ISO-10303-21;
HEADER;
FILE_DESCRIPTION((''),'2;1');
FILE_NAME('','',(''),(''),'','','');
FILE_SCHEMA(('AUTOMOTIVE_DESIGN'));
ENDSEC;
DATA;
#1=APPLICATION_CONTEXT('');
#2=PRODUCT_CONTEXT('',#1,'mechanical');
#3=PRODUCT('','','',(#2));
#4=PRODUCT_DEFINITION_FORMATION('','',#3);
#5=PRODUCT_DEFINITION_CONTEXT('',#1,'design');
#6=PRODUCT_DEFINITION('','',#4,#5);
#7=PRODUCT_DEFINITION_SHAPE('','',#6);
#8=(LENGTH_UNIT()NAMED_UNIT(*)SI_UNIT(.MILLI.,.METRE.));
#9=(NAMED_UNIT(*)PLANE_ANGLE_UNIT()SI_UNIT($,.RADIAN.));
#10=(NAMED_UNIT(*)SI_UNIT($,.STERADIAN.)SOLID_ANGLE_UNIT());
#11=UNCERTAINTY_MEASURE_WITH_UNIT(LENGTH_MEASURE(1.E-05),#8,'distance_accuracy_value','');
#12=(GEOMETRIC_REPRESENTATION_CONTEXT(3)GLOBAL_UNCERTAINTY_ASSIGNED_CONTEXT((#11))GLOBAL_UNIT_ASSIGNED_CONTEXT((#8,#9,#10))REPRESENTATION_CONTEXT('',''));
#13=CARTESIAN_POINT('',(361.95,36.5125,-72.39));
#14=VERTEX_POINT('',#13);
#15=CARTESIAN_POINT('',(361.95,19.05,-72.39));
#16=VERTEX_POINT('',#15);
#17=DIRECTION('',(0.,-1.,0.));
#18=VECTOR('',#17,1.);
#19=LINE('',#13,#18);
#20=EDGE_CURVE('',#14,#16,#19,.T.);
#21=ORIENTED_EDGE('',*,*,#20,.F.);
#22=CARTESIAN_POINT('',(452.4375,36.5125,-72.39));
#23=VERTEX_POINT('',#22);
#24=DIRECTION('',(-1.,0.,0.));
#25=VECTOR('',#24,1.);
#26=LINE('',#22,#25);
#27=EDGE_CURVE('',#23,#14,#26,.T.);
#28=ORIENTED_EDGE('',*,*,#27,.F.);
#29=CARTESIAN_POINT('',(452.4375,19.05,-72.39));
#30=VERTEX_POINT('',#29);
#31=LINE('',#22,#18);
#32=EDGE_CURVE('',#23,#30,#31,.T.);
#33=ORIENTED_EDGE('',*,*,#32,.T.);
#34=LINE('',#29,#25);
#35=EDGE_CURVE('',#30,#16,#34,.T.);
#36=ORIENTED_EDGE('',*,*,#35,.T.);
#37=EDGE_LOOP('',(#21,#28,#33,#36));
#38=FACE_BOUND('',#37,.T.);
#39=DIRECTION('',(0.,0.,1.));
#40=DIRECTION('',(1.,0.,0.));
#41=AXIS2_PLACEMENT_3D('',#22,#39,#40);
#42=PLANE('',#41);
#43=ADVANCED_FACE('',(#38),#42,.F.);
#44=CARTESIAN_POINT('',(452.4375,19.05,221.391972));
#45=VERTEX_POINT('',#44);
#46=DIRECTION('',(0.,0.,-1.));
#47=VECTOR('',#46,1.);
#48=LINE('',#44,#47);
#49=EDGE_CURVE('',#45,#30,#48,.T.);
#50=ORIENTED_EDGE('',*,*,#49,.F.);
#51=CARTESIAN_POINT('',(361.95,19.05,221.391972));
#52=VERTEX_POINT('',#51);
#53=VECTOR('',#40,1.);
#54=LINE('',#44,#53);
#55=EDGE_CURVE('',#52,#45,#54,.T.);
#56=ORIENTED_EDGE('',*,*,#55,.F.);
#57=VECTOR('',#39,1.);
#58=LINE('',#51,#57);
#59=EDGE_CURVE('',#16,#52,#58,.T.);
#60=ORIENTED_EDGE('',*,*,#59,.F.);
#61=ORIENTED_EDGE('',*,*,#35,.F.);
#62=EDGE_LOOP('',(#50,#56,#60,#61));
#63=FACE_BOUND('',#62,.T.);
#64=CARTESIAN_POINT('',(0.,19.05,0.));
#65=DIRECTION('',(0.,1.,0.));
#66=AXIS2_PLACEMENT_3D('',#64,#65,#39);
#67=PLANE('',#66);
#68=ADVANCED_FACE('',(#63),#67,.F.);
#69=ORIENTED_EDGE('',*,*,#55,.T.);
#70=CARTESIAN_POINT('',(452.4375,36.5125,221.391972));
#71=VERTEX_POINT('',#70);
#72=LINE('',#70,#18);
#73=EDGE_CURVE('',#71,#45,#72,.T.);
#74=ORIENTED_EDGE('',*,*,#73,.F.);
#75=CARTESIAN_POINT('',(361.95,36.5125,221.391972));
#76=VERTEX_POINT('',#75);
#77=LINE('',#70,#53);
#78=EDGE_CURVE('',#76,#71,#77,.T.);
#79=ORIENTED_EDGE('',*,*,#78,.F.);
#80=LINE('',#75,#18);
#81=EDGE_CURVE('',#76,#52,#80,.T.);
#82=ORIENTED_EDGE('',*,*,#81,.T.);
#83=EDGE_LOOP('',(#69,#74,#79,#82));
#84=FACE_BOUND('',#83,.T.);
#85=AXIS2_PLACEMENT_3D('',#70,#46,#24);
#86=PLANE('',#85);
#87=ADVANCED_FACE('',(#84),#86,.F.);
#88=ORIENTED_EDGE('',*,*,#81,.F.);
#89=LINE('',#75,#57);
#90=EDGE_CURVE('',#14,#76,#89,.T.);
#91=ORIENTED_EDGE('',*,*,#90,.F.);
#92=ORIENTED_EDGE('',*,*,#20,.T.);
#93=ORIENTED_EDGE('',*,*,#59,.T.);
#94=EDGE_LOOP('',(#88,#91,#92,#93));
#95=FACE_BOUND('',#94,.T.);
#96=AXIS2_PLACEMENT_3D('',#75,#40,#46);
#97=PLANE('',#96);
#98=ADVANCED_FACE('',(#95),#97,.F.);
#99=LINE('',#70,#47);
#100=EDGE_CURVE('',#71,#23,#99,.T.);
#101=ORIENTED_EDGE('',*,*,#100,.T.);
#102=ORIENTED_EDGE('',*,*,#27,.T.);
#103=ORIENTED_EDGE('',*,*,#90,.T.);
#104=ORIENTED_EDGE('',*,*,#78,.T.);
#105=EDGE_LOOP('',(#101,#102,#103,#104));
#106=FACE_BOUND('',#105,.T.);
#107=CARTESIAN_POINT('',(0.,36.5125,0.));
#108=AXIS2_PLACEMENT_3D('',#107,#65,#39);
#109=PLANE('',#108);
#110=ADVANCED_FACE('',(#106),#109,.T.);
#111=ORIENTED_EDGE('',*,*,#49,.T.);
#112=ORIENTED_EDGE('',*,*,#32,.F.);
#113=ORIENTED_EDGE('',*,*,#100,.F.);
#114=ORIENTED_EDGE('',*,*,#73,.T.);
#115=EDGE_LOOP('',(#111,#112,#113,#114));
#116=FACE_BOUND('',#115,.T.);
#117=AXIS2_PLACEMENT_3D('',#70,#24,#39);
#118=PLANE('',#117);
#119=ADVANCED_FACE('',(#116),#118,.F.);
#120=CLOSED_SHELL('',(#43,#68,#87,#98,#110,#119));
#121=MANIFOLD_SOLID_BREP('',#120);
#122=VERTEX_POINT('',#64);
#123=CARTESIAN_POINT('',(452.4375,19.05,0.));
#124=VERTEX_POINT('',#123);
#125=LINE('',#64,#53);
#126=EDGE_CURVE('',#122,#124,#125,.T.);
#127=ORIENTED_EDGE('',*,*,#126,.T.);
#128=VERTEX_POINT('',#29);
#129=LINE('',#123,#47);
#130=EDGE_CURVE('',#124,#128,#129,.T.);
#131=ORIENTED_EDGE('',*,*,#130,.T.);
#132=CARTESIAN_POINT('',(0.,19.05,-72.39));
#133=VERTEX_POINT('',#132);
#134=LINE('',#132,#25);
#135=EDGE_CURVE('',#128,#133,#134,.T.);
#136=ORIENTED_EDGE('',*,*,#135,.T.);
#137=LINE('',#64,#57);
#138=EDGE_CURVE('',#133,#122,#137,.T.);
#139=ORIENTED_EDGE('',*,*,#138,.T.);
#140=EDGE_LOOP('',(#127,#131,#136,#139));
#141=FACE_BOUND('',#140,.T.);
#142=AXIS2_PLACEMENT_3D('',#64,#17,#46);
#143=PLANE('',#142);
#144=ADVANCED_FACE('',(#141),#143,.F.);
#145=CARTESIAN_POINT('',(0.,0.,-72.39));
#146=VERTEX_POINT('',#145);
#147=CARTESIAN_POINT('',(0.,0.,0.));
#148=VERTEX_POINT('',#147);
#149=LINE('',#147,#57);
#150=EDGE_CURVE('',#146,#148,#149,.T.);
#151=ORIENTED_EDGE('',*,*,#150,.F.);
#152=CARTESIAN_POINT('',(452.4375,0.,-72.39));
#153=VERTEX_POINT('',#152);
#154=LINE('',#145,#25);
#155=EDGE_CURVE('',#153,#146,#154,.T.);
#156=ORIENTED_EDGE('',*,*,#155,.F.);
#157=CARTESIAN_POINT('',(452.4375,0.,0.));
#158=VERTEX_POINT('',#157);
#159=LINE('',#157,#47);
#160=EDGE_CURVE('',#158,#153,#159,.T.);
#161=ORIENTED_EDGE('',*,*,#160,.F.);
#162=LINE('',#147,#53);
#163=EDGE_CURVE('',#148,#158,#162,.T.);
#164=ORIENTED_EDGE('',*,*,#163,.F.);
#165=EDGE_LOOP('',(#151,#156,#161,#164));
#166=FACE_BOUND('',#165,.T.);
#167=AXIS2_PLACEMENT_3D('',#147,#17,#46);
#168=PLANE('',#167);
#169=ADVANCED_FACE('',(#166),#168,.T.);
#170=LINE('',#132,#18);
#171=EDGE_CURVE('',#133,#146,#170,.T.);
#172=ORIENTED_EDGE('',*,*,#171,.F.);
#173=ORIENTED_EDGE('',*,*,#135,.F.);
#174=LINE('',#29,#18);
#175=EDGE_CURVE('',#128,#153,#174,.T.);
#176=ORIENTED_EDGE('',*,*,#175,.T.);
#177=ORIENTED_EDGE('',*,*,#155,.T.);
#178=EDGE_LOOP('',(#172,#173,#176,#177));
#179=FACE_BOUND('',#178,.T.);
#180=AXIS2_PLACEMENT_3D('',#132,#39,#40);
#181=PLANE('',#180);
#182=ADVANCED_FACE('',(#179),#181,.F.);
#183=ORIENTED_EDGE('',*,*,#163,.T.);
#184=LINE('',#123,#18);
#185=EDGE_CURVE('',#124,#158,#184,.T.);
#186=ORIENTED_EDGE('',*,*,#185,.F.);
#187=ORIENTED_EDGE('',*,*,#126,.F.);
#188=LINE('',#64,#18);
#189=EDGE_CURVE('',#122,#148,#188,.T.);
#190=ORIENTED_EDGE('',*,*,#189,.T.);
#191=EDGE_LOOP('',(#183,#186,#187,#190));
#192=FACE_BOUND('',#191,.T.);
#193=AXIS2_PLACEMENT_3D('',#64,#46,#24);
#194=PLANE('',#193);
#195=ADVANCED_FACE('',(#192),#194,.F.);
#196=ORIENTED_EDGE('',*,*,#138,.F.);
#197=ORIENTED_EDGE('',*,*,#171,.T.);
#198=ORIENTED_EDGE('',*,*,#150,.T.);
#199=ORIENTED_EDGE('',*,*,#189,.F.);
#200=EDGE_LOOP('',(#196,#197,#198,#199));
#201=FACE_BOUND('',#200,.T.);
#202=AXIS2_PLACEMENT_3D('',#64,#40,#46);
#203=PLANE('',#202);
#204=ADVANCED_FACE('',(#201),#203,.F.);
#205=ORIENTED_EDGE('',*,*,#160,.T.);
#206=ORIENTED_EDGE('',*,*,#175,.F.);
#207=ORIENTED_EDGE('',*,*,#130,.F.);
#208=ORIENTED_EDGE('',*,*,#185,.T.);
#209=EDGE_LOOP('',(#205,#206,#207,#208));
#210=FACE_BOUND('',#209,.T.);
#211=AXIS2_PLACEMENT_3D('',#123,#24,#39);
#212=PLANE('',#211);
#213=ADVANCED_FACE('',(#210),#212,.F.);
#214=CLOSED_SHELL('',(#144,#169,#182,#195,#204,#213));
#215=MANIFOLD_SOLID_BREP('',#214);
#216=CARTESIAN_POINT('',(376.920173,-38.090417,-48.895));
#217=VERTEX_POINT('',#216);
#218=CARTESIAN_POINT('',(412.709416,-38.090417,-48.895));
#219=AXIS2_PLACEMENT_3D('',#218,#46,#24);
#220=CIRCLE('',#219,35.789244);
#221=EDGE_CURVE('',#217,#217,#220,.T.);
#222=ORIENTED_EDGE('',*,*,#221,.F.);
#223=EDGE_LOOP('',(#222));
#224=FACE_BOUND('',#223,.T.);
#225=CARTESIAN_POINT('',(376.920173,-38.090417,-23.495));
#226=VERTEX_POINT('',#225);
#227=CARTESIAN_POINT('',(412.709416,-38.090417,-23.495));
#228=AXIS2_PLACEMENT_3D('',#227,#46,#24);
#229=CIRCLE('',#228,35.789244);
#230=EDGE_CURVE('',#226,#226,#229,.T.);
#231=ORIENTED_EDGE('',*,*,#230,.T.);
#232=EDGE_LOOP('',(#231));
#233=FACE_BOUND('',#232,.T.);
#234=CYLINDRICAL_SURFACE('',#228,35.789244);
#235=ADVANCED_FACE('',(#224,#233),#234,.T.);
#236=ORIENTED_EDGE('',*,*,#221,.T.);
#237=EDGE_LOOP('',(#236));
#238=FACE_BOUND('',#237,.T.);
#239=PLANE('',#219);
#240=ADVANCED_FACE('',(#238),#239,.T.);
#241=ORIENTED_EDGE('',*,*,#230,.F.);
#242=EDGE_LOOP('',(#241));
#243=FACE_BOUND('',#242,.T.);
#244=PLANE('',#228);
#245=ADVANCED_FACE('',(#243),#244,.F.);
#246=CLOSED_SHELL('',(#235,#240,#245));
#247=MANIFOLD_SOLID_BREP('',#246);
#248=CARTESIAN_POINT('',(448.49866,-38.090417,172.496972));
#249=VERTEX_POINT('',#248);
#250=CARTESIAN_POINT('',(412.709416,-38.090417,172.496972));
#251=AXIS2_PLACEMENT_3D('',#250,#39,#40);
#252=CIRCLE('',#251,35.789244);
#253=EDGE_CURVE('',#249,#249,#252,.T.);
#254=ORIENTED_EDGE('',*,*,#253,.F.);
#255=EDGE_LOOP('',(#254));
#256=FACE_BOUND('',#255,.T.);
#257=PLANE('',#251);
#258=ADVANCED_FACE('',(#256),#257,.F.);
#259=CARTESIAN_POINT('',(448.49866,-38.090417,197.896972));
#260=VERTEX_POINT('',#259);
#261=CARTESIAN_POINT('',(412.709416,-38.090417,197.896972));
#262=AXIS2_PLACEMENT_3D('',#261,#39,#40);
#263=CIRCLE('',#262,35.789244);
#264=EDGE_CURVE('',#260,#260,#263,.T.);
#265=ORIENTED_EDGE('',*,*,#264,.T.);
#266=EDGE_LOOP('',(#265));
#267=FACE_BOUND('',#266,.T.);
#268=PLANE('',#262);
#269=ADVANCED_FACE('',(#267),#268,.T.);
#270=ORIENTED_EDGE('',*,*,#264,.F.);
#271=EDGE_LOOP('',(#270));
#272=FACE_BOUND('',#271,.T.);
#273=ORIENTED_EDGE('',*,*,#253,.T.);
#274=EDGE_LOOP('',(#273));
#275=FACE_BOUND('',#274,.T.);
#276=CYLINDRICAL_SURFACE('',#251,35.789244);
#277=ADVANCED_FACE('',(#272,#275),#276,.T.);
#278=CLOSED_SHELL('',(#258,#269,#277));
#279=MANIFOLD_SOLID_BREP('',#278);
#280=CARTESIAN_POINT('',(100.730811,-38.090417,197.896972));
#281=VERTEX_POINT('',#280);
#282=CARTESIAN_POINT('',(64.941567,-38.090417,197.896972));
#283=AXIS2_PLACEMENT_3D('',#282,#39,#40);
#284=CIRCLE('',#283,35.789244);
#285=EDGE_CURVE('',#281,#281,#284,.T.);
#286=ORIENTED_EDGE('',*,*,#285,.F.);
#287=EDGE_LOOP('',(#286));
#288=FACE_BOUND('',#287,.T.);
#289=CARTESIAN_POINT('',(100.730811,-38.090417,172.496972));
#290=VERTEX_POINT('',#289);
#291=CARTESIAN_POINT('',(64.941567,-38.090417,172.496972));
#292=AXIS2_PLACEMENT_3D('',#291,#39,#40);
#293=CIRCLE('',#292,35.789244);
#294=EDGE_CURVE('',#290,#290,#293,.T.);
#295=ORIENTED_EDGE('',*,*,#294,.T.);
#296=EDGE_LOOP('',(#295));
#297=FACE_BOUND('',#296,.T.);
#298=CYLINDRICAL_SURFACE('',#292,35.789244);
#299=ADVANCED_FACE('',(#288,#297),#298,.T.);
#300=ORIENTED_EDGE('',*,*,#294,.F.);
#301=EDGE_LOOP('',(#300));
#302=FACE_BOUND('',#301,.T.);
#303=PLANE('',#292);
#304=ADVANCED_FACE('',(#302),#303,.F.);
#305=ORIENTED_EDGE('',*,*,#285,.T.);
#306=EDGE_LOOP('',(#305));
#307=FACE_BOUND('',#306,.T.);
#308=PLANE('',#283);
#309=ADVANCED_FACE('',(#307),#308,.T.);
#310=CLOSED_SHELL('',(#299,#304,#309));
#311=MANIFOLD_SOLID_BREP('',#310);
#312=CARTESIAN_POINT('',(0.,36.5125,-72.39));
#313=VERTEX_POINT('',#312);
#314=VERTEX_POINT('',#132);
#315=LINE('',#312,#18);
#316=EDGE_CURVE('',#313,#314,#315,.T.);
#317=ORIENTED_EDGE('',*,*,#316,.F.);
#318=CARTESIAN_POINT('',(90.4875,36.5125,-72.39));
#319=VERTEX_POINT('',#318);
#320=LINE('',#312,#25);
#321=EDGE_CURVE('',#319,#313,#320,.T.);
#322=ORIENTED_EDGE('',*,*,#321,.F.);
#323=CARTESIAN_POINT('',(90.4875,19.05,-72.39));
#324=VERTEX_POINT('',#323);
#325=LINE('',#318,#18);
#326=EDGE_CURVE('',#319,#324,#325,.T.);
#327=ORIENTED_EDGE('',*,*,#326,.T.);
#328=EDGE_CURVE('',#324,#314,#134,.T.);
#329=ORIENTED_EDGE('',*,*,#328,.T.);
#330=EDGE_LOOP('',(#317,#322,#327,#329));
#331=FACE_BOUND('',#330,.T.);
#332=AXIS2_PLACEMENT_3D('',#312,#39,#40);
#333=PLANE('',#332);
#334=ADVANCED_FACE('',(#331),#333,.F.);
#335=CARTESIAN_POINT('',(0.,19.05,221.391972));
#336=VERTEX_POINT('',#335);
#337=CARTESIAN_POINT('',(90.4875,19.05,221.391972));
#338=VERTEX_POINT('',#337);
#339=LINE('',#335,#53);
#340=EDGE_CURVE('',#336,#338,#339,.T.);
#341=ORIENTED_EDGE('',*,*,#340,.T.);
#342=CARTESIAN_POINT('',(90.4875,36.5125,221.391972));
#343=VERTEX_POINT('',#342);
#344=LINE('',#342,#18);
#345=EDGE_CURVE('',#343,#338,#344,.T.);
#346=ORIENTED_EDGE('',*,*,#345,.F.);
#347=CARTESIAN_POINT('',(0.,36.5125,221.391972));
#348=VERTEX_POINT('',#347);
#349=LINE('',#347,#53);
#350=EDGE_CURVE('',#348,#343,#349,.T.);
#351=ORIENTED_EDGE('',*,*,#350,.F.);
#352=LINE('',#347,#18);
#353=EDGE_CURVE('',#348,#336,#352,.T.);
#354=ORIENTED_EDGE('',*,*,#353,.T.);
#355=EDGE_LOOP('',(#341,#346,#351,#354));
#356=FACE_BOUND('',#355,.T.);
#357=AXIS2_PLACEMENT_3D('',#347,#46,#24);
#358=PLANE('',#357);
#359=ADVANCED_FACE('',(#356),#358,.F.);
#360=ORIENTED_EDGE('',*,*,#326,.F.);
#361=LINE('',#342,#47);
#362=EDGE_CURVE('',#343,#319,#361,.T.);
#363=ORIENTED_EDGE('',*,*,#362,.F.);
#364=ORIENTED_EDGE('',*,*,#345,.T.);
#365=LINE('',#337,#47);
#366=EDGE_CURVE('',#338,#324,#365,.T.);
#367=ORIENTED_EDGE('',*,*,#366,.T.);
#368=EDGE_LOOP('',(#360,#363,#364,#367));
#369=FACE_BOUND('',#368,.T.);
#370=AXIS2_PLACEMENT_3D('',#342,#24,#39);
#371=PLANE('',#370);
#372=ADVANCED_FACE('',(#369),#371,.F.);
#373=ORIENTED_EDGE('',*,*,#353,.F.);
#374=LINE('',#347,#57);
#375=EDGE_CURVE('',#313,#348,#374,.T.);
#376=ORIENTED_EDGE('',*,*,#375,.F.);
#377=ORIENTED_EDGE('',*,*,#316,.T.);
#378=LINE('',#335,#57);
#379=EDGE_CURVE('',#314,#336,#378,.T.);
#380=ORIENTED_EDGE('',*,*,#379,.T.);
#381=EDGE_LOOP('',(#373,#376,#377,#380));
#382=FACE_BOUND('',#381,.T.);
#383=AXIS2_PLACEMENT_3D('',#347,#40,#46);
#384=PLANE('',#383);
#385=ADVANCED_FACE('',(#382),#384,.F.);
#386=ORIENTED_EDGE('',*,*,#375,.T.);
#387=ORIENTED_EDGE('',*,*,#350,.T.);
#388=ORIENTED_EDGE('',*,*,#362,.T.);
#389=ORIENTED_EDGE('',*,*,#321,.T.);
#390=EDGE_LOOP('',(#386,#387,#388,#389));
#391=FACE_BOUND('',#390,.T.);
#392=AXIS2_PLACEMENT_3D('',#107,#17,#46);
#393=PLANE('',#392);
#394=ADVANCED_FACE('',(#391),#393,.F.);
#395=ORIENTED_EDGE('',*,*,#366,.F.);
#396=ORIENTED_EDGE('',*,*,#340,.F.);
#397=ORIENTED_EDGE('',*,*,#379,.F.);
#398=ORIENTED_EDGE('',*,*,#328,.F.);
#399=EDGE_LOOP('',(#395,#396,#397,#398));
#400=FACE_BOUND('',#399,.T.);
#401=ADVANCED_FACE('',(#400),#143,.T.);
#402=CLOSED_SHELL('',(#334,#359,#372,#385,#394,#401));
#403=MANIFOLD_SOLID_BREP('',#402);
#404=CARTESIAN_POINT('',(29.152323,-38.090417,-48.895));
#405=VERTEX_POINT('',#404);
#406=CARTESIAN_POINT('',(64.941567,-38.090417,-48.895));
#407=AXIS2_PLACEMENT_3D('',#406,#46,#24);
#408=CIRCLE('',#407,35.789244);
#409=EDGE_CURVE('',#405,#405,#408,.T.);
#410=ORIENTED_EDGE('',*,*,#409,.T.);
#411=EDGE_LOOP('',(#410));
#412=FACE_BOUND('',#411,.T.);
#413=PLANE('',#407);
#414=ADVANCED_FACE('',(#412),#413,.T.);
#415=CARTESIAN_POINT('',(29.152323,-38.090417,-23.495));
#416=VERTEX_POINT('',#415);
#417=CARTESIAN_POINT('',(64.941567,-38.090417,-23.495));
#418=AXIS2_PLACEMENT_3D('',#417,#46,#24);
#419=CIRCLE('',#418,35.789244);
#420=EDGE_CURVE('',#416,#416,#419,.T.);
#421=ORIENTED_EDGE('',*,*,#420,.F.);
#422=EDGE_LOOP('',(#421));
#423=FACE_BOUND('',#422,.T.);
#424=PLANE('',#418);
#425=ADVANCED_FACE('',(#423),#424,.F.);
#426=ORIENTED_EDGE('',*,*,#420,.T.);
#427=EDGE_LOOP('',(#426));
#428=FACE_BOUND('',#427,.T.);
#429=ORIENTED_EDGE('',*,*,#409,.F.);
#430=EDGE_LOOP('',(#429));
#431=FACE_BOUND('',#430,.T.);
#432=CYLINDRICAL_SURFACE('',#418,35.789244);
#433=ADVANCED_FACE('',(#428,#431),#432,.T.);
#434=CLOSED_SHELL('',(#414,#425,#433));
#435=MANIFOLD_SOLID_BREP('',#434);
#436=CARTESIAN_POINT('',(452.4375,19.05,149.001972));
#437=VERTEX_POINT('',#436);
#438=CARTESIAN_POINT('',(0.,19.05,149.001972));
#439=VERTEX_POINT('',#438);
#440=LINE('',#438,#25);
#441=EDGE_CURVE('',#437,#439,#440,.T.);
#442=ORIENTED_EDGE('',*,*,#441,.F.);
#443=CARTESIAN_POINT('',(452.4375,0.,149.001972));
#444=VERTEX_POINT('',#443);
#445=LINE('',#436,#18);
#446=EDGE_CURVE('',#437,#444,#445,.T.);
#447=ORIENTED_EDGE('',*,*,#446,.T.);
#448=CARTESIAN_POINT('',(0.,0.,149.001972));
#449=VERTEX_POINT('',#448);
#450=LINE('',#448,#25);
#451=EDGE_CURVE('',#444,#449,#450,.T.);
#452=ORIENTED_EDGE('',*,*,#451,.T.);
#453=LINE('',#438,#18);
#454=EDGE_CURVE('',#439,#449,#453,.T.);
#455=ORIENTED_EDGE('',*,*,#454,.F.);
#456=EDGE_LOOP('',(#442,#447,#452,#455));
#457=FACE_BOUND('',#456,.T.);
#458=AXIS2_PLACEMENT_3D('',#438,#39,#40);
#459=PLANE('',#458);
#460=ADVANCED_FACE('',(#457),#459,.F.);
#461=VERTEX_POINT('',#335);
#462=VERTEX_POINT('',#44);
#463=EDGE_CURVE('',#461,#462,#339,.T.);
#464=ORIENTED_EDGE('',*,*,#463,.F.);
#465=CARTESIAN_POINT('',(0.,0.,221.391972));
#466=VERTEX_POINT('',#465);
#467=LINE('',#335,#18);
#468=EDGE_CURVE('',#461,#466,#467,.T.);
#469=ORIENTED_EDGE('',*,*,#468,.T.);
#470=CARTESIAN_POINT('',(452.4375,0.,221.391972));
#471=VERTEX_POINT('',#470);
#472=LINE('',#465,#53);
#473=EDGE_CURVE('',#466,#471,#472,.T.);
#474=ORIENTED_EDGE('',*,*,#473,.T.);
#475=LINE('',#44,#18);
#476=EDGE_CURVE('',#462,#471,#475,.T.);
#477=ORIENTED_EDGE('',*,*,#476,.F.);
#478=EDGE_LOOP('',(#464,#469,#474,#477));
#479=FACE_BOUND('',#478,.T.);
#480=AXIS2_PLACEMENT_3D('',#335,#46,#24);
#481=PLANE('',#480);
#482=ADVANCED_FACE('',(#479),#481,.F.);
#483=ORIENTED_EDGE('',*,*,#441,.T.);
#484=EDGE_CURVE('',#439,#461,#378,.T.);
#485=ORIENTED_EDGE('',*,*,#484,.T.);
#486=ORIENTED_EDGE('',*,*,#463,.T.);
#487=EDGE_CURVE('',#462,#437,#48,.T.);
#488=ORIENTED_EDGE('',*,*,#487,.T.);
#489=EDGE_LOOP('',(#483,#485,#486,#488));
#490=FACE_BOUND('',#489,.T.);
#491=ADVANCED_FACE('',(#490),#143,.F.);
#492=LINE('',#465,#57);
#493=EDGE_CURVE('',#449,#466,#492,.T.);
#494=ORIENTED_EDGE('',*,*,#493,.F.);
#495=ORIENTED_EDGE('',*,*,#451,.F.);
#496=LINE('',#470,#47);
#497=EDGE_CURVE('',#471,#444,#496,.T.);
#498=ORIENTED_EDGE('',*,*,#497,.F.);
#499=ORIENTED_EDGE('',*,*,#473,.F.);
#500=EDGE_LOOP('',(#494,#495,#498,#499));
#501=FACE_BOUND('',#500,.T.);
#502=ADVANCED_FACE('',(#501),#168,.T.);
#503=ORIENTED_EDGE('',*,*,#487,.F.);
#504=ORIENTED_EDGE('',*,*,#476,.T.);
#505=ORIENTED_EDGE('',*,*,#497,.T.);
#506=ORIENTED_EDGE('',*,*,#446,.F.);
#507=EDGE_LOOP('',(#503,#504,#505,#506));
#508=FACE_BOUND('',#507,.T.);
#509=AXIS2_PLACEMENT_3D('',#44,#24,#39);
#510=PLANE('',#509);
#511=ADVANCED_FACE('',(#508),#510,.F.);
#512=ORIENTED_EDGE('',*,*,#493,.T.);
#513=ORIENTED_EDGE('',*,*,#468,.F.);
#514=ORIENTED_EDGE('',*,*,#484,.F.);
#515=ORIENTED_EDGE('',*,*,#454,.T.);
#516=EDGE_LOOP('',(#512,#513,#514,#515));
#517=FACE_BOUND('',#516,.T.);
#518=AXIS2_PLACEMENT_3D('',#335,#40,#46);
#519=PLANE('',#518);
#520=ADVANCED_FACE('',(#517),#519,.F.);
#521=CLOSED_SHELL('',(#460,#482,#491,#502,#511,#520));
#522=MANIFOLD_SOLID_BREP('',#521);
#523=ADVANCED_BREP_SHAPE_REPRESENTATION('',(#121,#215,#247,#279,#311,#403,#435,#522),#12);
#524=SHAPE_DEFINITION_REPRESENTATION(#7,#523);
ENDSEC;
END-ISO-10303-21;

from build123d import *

# Parameters (mm, degrees)
SKETCH1_W                  = 452.4375
SKETCH1_H                  = 72.39
BOSS_EXTRUDE1_DEPTH        = 19.05
BOSS_EXTRUDE1_2_DEPTH      = 19.05
SKETCH2_W                  = 90.4875
SKETCH2_H                  = 293.781971524
BOSS_EXTRUDE2_DEPTH        = 17.4625
BOSS_EXTRUDE2_2_DEPTH      = 17.4625
SKETCH3_R                  = 35.789243898
BOSS_EXTRUDE3_DEPTH        = 12.7
BOSS_EXTRUDE3_DEPTH_BACK   = 12.7
BOSS_EXTRUDE3_2_DEPTH      = 12.7
BOSS_EXTRUDE3_2_DEPTH_BACK = 12.7
SKETCH4_R                  = 35.789243898
BOSS_EXTRUDE4_DEPTH        = 12.7
BOSS_EXTRUDE4_DEPTH_BACK   = 12.7
BOSS_EXTRUDE4_2_DEPTH      = 12.7
BOSS_EXTRUDE4_2_DEPTH_BACK = 12.7


with BuildPart() as part:
    # Sketch1 → Boss-Extrude1 (new body)
    with BuildSketch(Plane(origin=(0, 0, 0), x_dir=(1, 0, 0), z_dir=(0, 1, 0))):
        with Locations((226.21875, 36.195)):
            Rectangle(SKETCH1_W, SKETCH1_H)
    extrude(amount=BOSS_EXTRUDE1_DEPTH)


with BuildPart() as body_2:
    # Sketch1 → Boss-Extrude1 2 (new body)
    with BuildSketch(Plane(origin=(0, 0, 0), x_dir=(1, 0, 0), z_dir=(0, 1, 0))):
        with Locations((226.21875, -185.196971524)):
            Rectangle(SKETCH1_W, SKETCH1_H)
    extrude(amount=BOSS_EXTRUDE1_2_DEPTH)


with BuildPart() as body_3:
    # Sketch2 → Boss-Extrude2 (new body)
    with BuildSketch(Plane(origin=(0, 19.05, 0), x_dir=(1, 0, 0), z_dir=(0, 1, 0))):
        with Locations((407.19375, -74.500985762)):
            Rectangle(SKETCH2_W, SKETCH2_H)
    extrude(amount=BOSS_EXTRUDE2_DEPTH)


with BuildPart() as body_4:
    # Sketch2 → Boss-Extrude2 2 (new body)
    with BuildSketch(Plane(origin=(0, 19.05, 0), x_dir=(1, 0, 0), z_dir=(0, 1, 0))):
        with Locations((45.24375, -74.500985762)):
            Rectangle(SKETCH2_W, SKETCH2_H)
    extrude(amount=BOSS_EXTRUDE2_2_DEPTH)


with BuildPart() as body_5:
    # Sketch3 → Boss-Extrude3 (new body, two sides)
    with BuildSketch(Plane.XY.offset(185.196971524)) as boss_extrude3_sk:
        with Locations((64.941566703, -38.090416539)):
            Circle(SKETCH3_R)
    extrude(amount=BOSS_EXTRUDE3_DEPTH)
    extrude(boss_extrude3_sk.sketch, amount=-BOSS_EXTRUDE3_DEPTH_BACK)


with BuildPart() as body_6:
    # Sketch3 → Boss-Extrude3 2 (new body, two sides)
    with BuildSketch(Plane.XY.offset(185.196971524)) as boss_extrude3_2_sk:
        with Locations((412.709416413, -38.090416539)):
            Circle(SKETCH3_R)
    extrude(amount=BOSS_EXTRUDE3_2_DEPTH)
    extrude(boss_extrude3_2_sk.sketch, amount=-BOSS_EXTRUDE3_2_DEPTH_BACK)


with BuildPart() as body_7:
    # Sketch4 → Boss-Extrude4 (new body, two sides)
    with BuildSketch(Plane(origin=(0, 0, -36.195), x_dir=(-1, 0, 0), z_dir=(0, 0, -1))) as boss_extrude4_sk:
        with Locations((-64.941566703, -38.090416539)):
            Circle(SKETCH4_R)
    extrude(amount=BOSS_EXTRUDE4_DEPTH)
    extrude(boss_extrude4_sk.sketch, amount=-BOSS_EXTRUDE4_DEPTH_BACK)


with BuildPart() as body_8:
    # Sketch4 → Boss-Extrude4 2 (new body, two sides)
    with BuildSketch(Plane(origin=(0, 0, -36.195), x_dir=(-1, 0, 0), z_dir=(0, 0, -1))) as boss_extrude4_2_sk:
        with Locations((-412.709416413, -38.090416539)):
            Circle(SKETCH4_R)
    extrude(amount=BOSS_EXTRUDE4_2_DEPTH)
    extrude(boss_extrude4_2_sk.sketch, amount=-BOSS_EXTRUDE4_2_DEPTH_BACK)


solid = Compound([part.part, body_2.part, body_3.part, body_4.part, body_5.part, body_6.part, body_7.part, body_8.part])
